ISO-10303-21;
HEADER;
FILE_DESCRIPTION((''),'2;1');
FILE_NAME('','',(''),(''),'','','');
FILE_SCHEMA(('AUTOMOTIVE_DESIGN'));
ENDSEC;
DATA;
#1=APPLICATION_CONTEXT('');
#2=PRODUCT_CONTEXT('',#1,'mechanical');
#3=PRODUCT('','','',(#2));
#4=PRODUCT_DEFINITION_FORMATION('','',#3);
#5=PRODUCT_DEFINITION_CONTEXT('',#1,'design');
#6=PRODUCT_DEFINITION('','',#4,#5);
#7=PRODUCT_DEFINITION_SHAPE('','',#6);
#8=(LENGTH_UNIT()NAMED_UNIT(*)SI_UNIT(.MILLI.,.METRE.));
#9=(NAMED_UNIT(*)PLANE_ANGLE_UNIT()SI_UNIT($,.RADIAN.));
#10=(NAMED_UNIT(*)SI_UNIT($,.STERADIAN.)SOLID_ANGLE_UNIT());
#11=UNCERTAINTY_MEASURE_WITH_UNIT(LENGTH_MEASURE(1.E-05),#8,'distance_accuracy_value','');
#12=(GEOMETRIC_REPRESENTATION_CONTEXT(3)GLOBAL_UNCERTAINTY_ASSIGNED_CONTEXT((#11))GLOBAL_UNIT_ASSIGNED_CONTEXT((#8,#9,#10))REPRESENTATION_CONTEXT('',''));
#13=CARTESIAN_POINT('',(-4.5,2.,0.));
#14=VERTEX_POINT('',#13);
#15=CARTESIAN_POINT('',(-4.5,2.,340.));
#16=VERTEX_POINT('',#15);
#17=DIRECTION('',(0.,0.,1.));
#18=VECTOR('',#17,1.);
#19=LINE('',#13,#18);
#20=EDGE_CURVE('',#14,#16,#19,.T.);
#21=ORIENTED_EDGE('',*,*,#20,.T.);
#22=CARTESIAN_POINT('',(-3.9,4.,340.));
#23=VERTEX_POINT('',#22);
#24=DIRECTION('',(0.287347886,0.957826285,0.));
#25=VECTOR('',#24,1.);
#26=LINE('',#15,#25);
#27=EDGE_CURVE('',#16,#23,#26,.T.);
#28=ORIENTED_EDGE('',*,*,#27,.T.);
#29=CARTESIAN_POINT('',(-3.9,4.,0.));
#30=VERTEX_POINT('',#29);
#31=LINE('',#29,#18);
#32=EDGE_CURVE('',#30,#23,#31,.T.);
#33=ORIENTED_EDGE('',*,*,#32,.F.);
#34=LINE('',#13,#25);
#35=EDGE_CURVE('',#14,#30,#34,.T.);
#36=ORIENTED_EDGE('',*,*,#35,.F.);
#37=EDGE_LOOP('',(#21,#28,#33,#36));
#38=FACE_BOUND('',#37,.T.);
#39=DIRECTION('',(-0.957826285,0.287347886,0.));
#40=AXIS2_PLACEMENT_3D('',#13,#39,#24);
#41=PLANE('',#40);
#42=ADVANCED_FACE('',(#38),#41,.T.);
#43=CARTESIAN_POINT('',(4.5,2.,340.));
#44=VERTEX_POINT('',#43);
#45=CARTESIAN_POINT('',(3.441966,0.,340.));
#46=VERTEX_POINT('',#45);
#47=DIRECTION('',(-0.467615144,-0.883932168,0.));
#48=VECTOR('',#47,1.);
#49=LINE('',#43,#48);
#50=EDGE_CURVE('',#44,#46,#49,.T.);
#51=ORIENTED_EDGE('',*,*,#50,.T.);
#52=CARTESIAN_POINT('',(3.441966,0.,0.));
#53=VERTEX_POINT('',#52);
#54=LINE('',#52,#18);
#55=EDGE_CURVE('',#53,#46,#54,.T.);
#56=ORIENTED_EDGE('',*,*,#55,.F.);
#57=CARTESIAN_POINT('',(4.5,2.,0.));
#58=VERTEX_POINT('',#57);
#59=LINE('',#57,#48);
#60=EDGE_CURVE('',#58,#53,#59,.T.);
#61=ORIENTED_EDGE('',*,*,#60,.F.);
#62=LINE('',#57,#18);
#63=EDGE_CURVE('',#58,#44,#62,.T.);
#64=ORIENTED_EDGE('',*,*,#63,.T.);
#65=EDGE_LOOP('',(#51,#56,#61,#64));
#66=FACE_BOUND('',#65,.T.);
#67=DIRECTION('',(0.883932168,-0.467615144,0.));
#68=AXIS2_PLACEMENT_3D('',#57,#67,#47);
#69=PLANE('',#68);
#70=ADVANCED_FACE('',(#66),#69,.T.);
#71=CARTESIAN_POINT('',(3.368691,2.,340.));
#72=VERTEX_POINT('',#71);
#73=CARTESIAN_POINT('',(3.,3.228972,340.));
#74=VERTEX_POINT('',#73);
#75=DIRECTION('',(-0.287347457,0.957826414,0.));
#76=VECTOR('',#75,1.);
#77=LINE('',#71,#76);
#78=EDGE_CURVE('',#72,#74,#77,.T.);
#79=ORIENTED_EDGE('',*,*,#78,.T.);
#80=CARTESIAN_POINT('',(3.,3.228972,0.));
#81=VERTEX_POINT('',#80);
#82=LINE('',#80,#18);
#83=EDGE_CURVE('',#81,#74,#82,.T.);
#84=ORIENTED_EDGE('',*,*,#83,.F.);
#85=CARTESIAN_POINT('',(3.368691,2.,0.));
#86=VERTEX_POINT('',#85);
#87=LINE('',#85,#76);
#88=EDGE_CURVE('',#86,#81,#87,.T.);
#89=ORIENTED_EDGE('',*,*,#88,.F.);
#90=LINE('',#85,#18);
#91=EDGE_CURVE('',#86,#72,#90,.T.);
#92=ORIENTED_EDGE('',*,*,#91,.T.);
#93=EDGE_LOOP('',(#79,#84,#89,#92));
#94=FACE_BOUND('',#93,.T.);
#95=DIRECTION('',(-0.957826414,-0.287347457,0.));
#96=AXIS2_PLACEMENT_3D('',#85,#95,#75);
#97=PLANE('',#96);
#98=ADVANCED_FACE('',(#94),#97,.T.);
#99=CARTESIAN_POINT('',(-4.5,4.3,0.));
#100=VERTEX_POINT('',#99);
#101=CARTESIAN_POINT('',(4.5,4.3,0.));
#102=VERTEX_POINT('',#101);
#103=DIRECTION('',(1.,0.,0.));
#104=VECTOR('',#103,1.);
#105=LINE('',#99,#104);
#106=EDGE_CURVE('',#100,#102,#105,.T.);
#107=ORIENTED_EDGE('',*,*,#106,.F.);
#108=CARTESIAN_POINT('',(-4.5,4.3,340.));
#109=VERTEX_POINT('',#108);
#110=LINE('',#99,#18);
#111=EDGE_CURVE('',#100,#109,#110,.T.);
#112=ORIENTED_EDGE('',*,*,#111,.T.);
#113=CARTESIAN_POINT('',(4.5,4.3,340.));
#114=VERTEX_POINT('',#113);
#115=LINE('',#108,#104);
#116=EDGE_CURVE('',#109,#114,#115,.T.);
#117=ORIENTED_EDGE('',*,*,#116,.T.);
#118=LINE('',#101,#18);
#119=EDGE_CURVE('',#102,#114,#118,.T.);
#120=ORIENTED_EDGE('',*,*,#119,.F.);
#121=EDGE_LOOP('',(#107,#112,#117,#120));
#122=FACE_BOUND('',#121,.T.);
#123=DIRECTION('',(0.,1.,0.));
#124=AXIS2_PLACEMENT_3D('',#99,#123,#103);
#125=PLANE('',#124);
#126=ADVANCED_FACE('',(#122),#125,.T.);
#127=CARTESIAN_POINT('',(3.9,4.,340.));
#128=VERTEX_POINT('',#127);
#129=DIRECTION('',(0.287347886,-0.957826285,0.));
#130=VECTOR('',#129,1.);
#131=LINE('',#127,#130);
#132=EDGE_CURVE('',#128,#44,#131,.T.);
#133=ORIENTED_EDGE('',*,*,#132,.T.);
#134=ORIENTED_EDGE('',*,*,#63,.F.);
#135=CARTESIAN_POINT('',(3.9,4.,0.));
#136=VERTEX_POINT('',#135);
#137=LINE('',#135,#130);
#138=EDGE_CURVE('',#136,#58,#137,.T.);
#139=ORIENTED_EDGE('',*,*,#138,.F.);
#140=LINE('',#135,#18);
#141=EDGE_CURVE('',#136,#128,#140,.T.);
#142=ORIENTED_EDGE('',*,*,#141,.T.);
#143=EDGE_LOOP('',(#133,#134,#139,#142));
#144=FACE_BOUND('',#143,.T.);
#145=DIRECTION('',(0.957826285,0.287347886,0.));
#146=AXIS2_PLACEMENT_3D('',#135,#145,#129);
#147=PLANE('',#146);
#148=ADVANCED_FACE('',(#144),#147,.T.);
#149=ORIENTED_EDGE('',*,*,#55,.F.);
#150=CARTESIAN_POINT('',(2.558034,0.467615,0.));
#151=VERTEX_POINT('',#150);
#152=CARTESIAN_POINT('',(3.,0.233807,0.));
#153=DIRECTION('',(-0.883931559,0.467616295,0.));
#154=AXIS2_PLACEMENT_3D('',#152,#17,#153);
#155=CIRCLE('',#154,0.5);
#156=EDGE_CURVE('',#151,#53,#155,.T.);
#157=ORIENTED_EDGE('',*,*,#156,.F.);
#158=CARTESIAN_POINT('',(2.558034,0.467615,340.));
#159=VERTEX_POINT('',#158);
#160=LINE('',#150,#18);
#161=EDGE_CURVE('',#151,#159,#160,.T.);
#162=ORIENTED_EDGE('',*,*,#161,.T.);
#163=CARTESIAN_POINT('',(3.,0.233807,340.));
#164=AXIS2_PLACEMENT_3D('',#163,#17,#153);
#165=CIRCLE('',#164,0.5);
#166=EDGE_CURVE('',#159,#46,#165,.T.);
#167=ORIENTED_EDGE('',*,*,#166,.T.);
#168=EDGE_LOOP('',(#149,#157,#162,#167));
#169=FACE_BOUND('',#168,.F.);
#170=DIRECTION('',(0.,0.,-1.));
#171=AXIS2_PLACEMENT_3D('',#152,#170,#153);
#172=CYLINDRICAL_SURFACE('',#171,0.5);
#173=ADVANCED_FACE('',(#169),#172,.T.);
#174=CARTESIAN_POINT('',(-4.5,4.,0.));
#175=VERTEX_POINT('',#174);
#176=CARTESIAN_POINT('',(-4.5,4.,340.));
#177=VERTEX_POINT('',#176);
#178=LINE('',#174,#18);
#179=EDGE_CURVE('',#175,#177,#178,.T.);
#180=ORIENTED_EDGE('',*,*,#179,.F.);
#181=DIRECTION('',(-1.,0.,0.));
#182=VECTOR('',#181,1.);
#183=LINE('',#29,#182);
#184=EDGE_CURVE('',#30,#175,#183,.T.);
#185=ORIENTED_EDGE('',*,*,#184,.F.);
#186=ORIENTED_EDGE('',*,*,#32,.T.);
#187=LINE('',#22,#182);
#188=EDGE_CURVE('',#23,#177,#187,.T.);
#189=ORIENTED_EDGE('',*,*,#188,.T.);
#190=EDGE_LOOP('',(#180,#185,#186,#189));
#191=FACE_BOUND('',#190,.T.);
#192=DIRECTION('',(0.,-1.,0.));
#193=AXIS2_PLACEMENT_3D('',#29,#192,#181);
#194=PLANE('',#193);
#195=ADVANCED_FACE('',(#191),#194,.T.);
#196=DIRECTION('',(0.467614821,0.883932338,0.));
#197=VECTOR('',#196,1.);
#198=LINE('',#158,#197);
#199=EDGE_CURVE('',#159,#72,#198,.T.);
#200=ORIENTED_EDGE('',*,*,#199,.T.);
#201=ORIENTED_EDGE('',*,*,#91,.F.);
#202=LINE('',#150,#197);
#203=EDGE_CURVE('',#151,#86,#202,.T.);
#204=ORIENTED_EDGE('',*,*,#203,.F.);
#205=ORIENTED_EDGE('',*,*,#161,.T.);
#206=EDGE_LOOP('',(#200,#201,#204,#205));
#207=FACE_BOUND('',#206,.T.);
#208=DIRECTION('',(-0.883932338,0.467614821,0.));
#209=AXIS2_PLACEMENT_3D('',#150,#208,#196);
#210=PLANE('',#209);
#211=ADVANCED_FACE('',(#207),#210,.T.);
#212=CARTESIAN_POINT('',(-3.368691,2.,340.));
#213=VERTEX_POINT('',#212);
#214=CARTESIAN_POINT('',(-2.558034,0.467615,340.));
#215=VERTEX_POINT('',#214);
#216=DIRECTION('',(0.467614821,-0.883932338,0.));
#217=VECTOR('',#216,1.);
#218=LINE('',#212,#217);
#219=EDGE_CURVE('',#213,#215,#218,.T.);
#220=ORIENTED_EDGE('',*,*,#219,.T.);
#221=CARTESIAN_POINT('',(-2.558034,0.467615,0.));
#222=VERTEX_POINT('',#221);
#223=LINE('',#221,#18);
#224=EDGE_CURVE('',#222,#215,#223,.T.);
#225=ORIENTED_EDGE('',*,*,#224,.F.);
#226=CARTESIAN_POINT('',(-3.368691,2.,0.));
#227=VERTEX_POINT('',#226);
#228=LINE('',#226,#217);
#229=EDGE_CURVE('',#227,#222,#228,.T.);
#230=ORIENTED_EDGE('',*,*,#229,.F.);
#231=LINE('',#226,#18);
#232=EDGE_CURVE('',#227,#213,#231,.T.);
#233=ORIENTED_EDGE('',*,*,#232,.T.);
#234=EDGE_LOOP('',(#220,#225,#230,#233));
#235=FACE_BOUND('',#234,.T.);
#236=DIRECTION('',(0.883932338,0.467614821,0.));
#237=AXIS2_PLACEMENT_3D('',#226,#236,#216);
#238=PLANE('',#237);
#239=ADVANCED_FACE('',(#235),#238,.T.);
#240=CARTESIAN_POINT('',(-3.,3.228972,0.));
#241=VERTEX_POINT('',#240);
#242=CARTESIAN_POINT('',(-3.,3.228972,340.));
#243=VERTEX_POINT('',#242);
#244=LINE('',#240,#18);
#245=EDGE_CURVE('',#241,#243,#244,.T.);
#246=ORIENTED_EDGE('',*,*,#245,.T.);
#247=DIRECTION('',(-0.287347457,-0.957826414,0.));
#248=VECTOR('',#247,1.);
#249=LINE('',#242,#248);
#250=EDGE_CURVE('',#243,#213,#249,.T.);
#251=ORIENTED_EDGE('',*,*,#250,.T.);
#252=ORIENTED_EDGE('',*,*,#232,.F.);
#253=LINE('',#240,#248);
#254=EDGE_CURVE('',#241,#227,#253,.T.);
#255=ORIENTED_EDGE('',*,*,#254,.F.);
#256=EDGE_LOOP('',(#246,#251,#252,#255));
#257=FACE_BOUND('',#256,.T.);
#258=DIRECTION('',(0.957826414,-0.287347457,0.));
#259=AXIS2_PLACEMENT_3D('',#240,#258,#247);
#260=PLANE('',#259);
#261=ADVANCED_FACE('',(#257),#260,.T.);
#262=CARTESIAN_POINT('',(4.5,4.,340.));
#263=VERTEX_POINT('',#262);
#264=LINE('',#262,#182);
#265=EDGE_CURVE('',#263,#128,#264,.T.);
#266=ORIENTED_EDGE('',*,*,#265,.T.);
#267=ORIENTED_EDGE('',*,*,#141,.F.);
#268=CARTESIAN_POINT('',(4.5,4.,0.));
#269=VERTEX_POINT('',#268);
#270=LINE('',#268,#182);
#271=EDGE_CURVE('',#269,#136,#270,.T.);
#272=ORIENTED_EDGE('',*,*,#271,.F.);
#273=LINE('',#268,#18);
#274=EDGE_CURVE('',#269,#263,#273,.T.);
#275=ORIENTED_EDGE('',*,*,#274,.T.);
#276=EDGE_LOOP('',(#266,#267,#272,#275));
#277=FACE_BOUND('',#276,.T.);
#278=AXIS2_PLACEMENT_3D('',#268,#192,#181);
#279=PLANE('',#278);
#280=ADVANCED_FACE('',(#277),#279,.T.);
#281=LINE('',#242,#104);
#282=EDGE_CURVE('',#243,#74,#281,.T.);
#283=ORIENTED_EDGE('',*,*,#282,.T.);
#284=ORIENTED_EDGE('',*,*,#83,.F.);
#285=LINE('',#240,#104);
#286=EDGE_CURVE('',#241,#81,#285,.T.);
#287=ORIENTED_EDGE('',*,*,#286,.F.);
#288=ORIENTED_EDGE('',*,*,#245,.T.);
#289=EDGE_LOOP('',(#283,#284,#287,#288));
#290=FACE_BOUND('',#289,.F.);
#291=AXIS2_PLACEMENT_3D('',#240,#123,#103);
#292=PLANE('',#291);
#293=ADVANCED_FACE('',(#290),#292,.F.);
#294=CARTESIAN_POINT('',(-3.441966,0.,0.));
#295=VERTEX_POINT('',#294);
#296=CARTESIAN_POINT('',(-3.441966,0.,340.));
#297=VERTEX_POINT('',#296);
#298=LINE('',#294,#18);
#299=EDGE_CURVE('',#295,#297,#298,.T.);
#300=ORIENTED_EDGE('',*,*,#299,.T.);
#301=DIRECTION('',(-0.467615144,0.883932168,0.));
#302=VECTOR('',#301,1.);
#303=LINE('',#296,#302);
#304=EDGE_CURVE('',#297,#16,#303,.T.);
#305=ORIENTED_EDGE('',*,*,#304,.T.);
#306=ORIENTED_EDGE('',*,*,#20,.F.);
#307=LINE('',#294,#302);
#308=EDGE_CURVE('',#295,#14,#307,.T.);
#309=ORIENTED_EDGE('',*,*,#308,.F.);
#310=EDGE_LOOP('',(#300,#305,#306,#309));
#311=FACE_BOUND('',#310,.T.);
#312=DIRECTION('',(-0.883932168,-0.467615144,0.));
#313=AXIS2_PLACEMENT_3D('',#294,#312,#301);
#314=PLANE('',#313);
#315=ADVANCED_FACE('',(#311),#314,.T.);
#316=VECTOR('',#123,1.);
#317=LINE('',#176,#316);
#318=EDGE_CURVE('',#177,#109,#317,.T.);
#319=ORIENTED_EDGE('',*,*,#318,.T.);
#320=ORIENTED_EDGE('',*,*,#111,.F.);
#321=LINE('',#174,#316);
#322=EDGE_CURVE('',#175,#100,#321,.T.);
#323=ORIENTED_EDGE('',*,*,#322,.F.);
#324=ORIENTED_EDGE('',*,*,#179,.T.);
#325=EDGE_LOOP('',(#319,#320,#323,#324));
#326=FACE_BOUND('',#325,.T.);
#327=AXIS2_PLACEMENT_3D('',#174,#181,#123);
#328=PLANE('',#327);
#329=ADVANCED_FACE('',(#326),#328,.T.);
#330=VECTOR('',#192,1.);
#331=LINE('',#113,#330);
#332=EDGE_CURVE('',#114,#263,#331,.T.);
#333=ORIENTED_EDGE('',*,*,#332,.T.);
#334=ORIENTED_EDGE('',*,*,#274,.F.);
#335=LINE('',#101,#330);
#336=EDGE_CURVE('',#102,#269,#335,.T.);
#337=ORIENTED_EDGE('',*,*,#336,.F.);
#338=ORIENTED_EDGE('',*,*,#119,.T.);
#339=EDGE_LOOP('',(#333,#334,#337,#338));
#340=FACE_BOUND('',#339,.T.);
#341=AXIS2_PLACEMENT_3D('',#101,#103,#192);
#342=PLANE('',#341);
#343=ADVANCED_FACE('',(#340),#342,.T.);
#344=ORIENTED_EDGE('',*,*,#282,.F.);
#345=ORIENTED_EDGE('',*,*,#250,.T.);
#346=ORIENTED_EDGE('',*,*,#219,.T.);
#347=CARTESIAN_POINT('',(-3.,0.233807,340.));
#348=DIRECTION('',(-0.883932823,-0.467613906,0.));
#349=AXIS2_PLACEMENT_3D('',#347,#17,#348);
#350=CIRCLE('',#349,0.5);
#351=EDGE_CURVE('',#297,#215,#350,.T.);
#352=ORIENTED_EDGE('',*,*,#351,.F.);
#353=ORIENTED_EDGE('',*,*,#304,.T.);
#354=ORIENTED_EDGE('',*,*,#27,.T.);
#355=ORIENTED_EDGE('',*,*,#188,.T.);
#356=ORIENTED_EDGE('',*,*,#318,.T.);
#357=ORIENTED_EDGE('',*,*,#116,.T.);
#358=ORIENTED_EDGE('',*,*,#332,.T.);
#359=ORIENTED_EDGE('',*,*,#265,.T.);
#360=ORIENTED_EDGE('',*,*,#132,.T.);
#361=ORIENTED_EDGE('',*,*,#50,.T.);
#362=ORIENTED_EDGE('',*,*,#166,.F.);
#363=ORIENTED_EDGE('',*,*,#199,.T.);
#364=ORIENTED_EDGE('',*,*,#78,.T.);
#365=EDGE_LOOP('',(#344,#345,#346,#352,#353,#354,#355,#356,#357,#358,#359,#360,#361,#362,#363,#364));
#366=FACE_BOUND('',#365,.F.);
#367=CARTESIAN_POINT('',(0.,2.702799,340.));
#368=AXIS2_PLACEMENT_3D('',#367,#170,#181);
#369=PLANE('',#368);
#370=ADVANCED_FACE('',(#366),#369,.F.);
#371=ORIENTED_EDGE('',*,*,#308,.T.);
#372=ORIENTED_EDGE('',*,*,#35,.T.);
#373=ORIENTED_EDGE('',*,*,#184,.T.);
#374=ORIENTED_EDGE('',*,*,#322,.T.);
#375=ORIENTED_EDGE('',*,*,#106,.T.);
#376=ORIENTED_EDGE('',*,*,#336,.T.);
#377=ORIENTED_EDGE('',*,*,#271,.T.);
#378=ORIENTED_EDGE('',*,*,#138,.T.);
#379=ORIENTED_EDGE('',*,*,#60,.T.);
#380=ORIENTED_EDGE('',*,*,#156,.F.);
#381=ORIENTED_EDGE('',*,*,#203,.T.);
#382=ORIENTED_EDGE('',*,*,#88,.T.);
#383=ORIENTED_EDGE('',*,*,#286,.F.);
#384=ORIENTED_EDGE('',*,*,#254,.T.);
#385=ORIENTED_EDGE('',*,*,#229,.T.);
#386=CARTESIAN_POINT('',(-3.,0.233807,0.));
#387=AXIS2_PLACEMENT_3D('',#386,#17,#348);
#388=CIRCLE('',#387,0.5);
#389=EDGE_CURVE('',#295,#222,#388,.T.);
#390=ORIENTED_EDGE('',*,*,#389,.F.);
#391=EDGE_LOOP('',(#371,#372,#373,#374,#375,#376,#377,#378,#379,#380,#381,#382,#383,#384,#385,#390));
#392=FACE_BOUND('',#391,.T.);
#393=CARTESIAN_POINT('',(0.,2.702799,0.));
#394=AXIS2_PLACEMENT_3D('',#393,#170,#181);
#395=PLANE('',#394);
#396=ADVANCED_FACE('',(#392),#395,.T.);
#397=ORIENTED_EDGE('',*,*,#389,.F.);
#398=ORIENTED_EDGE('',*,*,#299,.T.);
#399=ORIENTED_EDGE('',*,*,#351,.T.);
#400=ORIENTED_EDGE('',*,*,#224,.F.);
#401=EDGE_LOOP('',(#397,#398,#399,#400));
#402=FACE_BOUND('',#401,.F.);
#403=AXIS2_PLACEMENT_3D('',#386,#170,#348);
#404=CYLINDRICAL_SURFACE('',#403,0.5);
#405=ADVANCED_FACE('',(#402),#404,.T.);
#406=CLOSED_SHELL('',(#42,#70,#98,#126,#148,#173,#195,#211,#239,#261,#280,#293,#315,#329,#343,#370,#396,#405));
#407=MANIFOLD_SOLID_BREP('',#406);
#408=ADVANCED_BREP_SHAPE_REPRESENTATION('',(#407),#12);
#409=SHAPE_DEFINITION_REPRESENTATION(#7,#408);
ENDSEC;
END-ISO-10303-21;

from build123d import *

# Parameters (mm, degrees)
PAD_DEPTH = 340


with BuildPart() as part:
    # Sketch → Pad (new body)
    with BuildSketch(Plane.XY):
        with BuildLine():
            Line((-4.5, 4.3), (4.5, 4.3))
            Line((4.5, 4.3), (4.5, 4))
            Line((4.5, 4), (3.9, 4))
            Line((3.9, 4), (4.5, 2))
            Line((4.5, 2), (3.441966, 0))
            ThreePointArc((2.558034, 0.467615), (2.766192, -0.208159), (3.441966, 0))
            Line((2.558034, 0.467615), (3.368691, 2))
            Line((3.368691, 2), (3, 3.228972))
            Line((-3, 3.228972), (3, 3.228972))
            Line((-3, 3.228972), (-3.368691, 2))
            Line((-3.368691, 2), (-2.558034, 0.467615))
            ThreePointArc((-3.441966, 0), (-2.766192, -0.208159), (-2.558034, 0.467615))
            Line((-3.441966, 0), (-4.5, 2))
            Line((-4.5, 2), (-3.9, 4))
            Line((-3.9, 4), (-4.5, 4))
            Line((-4.5, 4), (-4.5, 4.3))
        make_face()
    extrude(amount=PAD_DEPTH)


solid = part.part
